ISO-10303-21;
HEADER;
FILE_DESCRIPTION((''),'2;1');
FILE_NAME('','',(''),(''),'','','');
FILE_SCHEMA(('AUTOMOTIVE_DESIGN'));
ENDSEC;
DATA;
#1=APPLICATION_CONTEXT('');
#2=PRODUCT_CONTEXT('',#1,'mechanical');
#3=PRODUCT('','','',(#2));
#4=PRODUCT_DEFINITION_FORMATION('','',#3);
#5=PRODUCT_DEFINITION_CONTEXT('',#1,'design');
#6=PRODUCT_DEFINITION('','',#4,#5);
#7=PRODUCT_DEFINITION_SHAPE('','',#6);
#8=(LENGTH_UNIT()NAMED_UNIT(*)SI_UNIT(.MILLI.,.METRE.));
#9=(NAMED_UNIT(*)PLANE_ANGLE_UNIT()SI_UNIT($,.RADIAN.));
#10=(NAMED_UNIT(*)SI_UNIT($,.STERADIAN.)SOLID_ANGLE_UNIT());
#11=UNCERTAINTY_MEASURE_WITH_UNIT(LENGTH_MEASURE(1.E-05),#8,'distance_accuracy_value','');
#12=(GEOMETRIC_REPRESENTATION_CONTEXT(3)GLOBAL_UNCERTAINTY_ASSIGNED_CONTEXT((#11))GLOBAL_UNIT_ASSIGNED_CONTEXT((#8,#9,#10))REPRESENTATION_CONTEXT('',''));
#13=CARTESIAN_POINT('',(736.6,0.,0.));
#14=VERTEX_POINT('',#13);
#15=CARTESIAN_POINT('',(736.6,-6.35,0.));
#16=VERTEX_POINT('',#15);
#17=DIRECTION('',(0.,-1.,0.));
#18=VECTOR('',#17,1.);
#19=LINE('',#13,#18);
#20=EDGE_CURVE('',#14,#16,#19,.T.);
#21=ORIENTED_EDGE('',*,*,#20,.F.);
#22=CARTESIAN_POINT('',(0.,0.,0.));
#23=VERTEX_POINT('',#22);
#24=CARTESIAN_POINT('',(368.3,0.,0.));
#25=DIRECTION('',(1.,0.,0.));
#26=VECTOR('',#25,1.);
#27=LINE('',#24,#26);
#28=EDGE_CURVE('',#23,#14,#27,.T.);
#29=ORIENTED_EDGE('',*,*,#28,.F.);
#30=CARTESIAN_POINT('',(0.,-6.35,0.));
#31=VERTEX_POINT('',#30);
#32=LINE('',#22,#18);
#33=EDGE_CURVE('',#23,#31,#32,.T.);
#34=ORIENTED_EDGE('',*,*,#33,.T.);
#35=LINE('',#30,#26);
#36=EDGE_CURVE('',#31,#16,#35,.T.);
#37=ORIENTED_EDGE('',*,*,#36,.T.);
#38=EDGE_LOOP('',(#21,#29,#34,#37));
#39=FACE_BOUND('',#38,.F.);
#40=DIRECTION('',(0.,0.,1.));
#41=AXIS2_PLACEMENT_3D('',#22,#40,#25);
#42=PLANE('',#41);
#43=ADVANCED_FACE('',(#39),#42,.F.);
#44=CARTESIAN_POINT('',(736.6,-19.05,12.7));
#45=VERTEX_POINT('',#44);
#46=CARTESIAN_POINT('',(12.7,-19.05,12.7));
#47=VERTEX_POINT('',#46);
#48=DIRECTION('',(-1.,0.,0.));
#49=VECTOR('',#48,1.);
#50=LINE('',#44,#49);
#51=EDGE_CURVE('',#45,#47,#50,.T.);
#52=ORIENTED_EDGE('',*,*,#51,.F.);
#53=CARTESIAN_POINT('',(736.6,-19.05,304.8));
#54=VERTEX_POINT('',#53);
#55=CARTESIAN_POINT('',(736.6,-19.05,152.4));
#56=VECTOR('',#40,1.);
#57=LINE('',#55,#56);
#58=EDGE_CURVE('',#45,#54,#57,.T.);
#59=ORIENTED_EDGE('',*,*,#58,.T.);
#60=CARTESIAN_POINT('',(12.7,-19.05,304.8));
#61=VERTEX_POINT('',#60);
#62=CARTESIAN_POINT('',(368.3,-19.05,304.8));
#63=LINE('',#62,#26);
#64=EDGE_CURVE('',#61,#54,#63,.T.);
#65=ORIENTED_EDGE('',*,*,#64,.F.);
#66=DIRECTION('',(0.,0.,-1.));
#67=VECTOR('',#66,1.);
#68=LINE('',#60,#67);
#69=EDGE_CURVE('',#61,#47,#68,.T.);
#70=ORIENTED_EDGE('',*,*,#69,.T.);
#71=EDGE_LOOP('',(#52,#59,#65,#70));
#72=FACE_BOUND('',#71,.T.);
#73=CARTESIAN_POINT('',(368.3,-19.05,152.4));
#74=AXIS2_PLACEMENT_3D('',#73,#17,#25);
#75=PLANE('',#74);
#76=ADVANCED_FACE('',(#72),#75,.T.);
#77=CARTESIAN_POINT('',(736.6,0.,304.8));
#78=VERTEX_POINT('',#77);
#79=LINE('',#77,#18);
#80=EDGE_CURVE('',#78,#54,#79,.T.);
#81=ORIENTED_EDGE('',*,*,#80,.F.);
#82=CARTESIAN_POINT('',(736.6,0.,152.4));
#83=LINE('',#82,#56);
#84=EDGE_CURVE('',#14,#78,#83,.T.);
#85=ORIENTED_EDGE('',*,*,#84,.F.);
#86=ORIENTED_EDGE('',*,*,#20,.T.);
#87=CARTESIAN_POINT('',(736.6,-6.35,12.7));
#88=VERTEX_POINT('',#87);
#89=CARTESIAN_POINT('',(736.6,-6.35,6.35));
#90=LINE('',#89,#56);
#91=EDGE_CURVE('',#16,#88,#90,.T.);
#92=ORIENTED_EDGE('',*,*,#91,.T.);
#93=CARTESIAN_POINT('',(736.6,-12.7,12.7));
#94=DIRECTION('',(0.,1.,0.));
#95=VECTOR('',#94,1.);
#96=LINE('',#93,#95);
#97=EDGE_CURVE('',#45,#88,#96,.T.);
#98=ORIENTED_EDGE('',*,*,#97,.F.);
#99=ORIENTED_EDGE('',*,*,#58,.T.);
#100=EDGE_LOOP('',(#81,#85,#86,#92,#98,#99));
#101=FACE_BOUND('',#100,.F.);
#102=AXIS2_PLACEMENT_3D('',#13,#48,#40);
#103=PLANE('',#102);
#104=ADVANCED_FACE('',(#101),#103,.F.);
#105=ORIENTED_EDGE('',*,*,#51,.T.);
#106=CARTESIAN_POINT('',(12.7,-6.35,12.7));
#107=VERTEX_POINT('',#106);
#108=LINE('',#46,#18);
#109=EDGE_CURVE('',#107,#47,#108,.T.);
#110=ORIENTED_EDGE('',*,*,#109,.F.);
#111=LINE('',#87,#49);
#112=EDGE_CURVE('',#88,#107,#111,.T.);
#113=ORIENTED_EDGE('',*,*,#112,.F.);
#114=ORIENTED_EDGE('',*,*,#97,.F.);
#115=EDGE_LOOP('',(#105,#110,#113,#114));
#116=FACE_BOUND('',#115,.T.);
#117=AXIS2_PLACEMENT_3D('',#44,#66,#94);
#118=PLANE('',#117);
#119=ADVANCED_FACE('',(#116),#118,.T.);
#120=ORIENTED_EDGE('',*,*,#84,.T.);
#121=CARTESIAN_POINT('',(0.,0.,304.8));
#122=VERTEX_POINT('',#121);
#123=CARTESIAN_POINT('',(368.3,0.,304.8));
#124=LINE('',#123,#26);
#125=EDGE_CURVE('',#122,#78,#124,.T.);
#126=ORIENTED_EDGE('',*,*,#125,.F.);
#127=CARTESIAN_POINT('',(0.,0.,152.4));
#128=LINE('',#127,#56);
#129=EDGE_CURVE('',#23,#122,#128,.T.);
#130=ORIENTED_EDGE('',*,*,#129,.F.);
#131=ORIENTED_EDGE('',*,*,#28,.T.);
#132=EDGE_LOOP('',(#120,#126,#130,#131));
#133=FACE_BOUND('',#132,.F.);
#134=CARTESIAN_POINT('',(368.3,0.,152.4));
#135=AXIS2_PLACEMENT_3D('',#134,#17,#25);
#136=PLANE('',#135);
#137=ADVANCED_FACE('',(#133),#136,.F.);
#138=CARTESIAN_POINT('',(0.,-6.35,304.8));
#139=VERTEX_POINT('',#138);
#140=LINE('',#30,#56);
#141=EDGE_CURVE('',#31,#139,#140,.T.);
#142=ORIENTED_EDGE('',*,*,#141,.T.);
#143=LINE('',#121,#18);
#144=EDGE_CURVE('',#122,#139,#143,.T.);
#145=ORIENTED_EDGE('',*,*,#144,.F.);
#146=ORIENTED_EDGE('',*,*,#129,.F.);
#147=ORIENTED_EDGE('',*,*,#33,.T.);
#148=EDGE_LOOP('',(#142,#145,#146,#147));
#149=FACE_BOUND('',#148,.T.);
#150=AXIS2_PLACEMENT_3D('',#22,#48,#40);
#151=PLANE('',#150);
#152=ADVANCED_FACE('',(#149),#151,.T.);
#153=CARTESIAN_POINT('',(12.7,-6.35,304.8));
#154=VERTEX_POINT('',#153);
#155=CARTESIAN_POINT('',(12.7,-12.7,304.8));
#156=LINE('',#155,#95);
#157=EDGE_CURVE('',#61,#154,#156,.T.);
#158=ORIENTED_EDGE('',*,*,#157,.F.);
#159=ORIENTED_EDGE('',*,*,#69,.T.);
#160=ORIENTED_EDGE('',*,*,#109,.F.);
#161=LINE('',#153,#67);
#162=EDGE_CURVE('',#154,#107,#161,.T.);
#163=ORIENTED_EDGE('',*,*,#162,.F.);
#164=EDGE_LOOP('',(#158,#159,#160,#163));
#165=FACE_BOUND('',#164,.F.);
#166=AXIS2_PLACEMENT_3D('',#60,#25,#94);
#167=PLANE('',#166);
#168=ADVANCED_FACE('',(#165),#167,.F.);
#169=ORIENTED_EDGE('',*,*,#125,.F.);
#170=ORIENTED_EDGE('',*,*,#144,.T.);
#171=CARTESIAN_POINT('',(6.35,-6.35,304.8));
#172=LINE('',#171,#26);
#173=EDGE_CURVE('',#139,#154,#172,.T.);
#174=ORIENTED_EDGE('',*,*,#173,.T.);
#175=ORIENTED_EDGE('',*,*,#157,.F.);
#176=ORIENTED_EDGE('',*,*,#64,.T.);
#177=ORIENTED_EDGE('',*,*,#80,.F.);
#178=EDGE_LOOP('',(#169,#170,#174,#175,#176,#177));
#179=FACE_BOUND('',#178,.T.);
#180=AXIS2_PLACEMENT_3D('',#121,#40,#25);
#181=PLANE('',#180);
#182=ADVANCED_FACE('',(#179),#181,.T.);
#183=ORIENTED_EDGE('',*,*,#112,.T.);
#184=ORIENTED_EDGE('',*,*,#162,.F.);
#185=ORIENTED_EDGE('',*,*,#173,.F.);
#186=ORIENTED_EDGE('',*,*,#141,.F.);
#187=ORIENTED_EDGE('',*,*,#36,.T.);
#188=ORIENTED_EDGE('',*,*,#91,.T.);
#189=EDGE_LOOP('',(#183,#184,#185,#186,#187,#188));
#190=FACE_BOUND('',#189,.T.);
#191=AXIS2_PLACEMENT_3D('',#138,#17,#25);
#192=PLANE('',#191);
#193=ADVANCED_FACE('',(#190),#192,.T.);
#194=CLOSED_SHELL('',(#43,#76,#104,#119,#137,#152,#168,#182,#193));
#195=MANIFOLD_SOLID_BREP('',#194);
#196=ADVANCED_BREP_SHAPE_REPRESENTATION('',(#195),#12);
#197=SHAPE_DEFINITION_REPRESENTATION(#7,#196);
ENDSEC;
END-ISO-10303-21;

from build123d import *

# Parameters (mm, degrees)
F0_W     = 736.6
F0_H     = 304.8
F1_DEPTH = 19.05
F2_W     = 12.7
F2_H     = 12.7
F3_DEPTH = 736.601
F4_W     = 12.7
F4_H     = 12.7
F5_DEPTH = 304.801


with BuildPart() as f1:
    # F0 (on Front) → F1 (new body)
    with BuildSketch(Plane.XZ):
        with Locations((368.3, 152.4)):
            Rectangle(F0_W, F0_H)
    extrude(amount=F1_DEPTH)

    # F2 (on face) → F3 (cut, through all)
    with BuildSketch(Plane.YZ.offset(736.6)):
        with Locations((-12.7, 6.35)):
            Rectangle(F2_W, F2_H)
    extrude(amount=-F3_DEPTH, mode=Mode.SUBTRACT)

    # F4 (on face) → F5 (cut, through all)
    with BuildSketch(Plane.XY.offset(304.8)):
        with Locations((6.35, -12.7)):
            Rectangle(F4_W, F4_H)
    extrude(amount=-F5_DEPTH, mode=Mode.SUBTRACT)


solid = f1.part
